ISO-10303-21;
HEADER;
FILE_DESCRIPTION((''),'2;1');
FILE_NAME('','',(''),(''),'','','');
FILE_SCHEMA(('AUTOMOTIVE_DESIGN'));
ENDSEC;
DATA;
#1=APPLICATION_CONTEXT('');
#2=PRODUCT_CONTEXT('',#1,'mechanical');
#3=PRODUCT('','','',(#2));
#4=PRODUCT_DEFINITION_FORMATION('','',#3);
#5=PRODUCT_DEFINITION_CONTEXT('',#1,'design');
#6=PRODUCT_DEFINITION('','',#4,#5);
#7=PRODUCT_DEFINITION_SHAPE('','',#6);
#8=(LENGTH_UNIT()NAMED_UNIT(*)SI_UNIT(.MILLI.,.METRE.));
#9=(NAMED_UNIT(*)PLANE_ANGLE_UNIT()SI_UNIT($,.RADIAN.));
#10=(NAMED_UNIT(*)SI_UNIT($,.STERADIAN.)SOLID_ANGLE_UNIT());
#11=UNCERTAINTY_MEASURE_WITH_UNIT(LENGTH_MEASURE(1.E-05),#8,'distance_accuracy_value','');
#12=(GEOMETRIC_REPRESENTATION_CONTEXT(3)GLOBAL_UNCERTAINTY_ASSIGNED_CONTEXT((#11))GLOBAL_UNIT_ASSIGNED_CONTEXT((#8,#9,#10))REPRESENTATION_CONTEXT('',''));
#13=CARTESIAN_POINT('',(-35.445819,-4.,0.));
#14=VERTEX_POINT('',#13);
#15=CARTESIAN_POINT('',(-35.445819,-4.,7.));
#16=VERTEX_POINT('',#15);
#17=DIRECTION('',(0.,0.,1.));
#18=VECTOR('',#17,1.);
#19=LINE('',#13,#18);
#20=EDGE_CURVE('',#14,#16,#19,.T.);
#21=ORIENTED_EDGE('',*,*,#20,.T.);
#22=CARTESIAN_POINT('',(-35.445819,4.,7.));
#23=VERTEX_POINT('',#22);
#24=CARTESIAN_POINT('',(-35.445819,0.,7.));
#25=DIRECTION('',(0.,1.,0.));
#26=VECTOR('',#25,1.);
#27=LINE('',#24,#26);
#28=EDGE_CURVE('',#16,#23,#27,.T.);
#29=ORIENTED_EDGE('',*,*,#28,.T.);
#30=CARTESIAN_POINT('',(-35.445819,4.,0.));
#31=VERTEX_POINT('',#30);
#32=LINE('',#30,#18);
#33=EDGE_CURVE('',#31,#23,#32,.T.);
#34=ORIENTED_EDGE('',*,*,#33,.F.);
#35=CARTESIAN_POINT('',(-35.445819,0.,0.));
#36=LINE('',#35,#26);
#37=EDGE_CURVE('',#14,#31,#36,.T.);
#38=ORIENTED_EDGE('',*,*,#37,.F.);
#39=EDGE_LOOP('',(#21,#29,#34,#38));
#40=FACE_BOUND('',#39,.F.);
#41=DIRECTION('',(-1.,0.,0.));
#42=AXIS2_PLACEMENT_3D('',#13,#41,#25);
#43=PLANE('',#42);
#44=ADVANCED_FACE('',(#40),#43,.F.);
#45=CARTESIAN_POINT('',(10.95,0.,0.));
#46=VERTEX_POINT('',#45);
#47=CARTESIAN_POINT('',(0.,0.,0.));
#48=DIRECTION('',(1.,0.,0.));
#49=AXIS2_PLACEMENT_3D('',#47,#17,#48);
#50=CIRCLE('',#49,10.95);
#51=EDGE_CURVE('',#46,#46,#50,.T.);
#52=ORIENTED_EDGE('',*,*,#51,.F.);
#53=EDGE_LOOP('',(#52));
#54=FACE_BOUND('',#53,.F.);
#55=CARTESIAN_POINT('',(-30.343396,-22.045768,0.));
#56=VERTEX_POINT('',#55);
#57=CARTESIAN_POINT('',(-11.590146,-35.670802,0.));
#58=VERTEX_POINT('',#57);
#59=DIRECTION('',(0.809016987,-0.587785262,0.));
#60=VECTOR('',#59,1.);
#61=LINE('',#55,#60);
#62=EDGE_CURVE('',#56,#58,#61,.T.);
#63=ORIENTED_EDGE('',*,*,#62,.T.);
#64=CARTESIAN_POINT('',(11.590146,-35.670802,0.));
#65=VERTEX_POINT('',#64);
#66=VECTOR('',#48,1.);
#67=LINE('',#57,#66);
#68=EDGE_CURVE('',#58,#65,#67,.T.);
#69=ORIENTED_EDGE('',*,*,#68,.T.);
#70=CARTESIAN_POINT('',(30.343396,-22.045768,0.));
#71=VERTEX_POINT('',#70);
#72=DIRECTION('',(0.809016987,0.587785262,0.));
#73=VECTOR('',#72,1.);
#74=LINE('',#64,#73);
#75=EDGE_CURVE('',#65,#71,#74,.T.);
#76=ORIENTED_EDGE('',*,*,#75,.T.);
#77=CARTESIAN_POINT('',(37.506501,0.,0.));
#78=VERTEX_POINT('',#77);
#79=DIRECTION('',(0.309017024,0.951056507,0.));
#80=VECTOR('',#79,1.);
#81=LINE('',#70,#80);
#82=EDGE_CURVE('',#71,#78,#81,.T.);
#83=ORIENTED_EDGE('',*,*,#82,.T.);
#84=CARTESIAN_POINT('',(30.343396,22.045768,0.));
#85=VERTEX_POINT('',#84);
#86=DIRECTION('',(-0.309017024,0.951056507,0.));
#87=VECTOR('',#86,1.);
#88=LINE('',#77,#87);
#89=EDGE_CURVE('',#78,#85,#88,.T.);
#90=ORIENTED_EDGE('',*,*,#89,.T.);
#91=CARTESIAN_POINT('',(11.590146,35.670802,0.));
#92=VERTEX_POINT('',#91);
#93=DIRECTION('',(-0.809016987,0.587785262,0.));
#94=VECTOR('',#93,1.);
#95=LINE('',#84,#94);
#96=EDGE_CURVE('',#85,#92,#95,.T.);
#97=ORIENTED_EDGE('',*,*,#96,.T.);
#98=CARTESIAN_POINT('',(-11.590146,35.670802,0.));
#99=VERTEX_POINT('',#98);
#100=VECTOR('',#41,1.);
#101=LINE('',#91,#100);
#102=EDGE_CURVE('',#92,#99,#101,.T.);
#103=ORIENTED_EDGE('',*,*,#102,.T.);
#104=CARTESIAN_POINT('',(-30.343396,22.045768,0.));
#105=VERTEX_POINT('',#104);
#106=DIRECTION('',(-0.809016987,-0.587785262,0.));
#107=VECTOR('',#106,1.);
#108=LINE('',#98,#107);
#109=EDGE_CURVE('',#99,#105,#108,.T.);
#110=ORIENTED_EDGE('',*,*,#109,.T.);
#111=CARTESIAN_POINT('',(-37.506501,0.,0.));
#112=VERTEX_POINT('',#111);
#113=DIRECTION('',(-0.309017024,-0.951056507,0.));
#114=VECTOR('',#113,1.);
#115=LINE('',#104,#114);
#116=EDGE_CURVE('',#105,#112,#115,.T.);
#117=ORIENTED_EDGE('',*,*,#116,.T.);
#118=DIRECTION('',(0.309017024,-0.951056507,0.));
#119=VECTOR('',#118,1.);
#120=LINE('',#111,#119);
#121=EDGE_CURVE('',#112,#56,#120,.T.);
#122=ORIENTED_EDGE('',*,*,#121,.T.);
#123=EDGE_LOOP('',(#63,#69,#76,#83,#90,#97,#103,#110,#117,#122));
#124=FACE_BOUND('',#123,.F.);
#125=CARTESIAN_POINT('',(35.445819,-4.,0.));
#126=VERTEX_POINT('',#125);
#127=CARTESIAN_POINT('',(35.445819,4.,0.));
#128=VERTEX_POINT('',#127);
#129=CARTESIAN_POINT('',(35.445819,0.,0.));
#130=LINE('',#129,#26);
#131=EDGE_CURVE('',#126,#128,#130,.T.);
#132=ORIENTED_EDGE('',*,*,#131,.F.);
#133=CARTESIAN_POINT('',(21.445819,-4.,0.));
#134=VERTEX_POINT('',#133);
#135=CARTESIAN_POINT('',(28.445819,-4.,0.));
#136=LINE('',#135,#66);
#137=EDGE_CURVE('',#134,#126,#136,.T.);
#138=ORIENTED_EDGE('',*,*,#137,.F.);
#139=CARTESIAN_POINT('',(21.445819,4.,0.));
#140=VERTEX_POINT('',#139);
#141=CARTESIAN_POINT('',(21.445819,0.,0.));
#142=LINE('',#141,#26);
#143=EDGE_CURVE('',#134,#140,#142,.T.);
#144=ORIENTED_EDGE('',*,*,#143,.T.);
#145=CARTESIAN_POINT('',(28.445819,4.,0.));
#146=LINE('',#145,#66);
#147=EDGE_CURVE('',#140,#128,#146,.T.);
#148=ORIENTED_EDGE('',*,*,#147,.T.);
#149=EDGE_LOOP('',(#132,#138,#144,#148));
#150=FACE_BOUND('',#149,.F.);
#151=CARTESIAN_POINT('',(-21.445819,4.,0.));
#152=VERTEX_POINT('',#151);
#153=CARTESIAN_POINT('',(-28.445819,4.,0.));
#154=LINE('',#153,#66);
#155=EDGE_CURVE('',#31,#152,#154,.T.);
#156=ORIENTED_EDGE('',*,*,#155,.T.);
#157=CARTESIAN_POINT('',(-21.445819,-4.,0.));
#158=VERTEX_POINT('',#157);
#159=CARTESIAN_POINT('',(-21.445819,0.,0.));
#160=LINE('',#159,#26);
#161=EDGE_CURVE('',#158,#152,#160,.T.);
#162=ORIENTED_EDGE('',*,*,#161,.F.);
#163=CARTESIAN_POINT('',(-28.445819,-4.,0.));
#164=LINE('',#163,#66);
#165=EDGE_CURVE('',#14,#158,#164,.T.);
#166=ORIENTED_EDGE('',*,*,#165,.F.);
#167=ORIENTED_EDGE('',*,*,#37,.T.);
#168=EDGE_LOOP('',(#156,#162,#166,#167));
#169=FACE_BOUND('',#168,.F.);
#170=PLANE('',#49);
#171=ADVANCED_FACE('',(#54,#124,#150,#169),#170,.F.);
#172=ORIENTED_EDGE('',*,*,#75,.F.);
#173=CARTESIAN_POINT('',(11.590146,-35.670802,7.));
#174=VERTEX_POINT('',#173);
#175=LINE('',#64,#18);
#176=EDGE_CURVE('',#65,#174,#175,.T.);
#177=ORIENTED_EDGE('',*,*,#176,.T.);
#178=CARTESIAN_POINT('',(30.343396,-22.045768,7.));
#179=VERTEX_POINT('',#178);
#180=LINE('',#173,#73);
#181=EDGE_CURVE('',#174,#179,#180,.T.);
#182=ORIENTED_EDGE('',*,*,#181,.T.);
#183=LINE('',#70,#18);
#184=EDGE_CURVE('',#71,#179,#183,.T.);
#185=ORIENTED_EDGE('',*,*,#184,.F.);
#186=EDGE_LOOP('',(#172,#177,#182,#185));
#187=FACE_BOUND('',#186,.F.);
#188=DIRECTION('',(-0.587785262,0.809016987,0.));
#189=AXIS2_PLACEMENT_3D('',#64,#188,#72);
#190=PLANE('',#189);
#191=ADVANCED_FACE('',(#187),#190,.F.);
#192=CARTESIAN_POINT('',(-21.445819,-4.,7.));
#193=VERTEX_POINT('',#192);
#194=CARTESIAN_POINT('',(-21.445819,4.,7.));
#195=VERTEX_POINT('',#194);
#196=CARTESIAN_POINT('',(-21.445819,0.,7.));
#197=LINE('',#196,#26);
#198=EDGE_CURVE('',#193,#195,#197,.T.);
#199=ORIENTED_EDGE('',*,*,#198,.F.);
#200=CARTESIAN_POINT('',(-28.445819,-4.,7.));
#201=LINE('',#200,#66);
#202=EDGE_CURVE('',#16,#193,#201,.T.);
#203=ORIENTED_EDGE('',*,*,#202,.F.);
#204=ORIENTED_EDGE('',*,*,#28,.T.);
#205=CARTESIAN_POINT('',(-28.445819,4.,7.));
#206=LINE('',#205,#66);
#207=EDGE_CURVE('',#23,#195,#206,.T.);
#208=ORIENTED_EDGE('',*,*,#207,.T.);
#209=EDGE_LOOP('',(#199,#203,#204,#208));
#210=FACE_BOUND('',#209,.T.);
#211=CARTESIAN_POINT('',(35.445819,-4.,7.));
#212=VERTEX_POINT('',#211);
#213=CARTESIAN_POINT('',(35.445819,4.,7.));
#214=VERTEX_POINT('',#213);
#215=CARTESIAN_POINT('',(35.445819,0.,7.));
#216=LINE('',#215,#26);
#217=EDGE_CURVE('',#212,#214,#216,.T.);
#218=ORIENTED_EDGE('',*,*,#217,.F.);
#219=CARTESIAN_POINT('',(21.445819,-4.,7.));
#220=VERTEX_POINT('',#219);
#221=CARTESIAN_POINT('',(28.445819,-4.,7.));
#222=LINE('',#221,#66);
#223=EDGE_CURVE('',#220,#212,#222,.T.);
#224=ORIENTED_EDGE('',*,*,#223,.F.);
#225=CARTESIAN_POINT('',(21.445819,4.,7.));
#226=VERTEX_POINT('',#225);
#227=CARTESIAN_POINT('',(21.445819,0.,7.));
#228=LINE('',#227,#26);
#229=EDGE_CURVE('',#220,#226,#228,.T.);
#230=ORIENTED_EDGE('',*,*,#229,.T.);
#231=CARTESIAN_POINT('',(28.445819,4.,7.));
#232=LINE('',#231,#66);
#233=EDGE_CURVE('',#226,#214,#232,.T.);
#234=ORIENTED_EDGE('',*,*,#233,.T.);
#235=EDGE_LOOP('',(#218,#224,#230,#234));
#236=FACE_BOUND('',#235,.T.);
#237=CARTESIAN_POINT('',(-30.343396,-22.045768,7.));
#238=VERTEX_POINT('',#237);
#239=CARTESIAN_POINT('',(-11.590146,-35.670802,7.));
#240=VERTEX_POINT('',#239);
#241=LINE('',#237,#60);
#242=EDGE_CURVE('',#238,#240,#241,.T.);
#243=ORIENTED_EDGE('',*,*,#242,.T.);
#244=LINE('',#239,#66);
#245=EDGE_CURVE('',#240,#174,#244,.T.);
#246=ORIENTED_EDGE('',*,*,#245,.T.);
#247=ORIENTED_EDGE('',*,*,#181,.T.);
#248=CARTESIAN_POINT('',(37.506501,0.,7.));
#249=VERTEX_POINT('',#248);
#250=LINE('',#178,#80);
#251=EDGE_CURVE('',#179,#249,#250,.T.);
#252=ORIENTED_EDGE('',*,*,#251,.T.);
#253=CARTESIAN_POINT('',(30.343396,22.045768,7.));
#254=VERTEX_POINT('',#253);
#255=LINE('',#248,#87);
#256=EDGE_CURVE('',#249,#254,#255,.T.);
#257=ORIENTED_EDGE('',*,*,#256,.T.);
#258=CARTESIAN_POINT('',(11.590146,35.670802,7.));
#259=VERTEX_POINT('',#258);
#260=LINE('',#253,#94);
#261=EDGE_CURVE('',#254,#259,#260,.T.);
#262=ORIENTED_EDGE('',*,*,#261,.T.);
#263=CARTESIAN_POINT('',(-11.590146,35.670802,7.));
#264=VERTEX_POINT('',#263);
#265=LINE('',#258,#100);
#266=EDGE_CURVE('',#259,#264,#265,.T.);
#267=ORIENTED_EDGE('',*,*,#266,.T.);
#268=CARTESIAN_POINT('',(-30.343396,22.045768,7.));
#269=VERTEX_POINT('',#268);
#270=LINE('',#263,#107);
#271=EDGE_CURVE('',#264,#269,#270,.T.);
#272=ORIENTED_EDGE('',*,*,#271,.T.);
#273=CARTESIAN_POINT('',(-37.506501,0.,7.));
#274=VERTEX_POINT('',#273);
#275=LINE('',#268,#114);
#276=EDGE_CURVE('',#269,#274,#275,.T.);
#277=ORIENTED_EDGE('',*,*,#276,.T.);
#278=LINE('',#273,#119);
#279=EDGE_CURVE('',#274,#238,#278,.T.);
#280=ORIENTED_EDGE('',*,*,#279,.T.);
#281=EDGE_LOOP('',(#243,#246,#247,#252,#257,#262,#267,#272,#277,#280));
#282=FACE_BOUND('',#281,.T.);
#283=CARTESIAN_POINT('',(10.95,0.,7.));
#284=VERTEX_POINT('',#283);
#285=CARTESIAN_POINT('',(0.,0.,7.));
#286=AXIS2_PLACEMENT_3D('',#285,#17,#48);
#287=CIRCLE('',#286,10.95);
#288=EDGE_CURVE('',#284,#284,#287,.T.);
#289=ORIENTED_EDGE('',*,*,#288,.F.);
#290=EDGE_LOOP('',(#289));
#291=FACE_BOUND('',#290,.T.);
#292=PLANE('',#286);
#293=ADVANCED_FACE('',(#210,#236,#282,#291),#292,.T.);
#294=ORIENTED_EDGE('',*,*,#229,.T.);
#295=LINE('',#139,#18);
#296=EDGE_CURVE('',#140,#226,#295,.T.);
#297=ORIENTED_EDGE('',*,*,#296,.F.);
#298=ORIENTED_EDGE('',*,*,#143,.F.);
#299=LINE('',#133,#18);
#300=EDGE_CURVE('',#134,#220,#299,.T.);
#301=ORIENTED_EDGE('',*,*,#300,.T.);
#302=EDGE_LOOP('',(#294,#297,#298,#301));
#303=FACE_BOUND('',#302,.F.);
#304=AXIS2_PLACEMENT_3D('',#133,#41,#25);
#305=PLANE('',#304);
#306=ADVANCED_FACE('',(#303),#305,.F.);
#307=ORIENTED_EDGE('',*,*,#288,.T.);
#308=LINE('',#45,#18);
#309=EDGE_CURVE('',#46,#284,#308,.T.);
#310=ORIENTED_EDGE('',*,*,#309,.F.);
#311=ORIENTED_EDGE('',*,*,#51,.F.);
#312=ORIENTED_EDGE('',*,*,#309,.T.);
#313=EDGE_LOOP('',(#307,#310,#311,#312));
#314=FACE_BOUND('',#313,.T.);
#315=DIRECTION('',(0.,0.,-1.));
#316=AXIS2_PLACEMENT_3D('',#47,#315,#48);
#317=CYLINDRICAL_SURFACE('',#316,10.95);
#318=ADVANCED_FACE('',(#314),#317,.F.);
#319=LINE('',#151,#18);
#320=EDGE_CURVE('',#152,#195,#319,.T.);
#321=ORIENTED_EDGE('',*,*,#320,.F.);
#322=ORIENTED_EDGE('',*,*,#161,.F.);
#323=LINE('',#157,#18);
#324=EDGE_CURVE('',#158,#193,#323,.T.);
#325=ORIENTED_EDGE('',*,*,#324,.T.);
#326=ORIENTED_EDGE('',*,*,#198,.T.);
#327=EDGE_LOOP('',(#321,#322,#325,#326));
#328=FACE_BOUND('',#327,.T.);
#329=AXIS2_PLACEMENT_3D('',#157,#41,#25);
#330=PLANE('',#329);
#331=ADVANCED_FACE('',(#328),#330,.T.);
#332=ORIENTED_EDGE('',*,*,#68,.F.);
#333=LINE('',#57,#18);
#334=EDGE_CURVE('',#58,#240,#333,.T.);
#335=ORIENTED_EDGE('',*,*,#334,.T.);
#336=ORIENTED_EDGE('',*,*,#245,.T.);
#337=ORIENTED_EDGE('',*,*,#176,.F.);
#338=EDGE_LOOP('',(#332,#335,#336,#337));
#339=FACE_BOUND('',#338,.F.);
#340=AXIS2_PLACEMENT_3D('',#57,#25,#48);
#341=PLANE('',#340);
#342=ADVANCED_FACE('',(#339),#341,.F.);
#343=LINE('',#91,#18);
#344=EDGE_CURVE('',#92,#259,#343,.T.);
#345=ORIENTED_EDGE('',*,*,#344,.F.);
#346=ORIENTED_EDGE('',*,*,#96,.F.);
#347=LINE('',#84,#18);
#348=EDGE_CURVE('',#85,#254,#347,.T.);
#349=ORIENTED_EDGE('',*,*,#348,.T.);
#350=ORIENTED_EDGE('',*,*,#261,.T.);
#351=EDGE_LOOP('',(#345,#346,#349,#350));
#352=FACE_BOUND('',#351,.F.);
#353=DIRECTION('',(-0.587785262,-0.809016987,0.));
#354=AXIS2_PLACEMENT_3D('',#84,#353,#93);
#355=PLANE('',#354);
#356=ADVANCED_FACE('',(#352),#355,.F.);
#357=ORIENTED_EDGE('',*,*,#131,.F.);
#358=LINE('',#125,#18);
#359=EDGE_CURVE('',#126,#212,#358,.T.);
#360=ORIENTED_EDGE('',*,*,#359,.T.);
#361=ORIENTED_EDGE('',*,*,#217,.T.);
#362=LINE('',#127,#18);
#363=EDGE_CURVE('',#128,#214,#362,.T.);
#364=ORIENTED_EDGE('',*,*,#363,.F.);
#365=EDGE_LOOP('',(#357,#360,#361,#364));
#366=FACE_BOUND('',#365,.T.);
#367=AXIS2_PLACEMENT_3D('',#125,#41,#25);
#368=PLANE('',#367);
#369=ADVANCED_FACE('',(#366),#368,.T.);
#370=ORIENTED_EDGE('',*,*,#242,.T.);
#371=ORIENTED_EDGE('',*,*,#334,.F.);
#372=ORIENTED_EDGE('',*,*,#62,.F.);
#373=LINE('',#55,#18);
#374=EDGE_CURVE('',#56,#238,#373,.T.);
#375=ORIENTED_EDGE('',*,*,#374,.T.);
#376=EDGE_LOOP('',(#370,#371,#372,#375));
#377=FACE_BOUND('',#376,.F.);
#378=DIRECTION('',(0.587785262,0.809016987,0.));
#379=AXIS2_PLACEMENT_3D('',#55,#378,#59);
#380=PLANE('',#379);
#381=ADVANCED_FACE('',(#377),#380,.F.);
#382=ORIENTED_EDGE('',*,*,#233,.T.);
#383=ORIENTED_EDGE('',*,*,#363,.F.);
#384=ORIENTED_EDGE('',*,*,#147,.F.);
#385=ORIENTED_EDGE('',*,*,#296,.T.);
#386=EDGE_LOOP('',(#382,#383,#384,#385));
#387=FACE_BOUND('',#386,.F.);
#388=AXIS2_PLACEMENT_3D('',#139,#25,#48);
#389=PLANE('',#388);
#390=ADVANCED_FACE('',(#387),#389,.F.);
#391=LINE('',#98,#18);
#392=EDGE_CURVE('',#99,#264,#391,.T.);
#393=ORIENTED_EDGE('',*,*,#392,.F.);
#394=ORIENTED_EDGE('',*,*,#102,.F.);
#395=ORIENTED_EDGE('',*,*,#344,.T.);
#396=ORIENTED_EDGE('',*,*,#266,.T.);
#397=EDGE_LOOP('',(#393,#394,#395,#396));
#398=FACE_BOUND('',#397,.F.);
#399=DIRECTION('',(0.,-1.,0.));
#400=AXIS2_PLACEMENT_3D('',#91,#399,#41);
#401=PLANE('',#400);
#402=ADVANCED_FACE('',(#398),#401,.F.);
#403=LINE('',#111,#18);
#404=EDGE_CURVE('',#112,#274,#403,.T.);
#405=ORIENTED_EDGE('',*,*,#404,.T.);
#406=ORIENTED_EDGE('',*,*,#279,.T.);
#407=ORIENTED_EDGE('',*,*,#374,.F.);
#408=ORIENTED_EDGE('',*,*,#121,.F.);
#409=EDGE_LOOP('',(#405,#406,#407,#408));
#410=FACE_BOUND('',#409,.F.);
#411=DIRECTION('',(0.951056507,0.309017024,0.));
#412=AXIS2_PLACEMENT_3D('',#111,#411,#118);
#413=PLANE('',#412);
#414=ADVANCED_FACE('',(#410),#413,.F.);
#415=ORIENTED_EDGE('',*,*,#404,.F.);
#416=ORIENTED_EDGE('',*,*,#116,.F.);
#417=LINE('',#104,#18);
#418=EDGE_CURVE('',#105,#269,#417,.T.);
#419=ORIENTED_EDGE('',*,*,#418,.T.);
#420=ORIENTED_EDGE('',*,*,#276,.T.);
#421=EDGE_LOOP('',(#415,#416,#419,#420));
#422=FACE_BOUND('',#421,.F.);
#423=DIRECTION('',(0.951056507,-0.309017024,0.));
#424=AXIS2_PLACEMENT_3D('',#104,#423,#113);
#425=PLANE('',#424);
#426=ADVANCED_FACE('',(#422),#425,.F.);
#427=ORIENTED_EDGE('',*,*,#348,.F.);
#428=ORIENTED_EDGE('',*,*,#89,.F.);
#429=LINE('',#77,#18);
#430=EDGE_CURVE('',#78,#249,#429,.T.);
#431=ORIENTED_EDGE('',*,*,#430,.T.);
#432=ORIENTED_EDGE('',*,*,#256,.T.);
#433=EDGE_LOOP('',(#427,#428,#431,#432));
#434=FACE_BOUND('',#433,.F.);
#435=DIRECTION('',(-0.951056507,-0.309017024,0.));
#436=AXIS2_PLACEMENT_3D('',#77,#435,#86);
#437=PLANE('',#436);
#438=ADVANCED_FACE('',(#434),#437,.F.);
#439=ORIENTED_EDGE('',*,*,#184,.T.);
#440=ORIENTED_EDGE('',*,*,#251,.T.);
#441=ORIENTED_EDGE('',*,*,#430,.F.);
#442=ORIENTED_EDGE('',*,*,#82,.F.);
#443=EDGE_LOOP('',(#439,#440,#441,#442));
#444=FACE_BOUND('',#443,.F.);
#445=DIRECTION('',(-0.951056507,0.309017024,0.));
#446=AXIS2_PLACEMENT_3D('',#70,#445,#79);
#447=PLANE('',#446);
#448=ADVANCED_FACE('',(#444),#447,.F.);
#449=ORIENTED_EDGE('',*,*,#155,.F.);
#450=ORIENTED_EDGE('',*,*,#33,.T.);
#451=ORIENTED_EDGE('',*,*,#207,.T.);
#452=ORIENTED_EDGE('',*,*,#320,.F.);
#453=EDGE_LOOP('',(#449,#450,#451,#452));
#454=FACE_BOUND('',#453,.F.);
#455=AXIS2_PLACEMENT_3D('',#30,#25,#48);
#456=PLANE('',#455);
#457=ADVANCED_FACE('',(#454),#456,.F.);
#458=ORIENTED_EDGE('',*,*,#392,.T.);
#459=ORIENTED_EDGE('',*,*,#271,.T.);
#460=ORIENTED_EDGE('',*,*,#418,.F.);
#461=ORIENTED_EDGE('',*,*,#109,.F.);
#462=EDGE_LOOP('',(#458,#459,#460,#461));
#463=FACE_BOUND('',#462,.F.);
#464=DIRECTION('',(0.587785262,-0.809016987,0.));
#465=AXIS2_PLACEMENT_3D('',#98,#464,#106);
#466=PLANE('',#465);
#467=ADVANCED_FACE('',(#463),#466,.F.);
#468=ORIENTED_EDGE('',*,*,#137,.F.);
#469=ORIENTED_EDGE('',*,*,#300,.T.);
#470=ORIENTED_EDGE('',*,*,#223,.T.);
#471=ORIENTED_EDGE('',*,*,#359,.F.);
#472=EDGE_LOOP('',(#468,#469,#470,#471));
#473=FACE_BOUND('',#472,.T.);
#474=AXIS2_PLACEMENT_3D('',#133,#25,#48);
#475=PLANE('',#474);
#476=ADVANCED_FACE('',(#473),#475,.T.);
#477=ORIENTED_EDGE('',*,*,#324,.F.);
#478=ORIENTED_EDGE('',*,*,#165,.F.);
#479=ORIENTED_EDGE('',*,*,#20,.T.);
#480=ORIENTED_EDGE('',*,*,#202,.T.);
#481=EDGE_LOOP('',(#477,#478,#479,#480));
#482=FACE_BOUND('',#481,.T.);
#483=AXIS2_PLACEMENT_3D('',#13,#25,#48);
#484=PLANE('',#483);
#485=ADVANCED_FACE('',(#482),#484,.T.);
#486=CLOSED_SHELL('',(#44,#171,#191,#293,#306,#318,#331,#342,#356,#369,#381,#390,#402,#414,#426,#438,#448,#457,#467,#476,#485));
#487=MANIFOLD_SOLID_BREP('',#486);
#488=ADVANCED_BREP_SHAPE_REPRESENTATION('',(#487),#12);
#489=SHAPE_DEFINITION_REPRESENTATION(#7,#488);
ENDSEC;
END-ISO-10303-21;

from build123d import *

# Parameters (mm, degrees)
F0_W     = 14
F0_H     = 8
F0_R     = 10.95
F1_DEPTH = 7


with BuildPart() as f1:
    # F0 (on Top) → F1 (new body)
    with BuildSketch(Plane.XY):
        Polygon((11.590146, 35.670802), (-11.590146, 35.670802), (-30.343396, 22.045768), (-37.506501, 0), (-30.343396, -22.045768), (-11.590146, -35.670802), (11.590146, -35.670802), (30.343396, -22.045768), (37.506501, 0), (30.343396, 22.045768), align=None)
        with Locations((-28.445819, 0)):
            Rectangle(F0_W, F0_H, mode=Mode.SUBTRACT)
        Circle(F0_R, mode=Mode.SUBTRACT)
        with Locations((28.445819, 0)):
            Rectangle(F0_W, F0_H, mode=Mode.SUBTRACT)
    extrude(amount=F1_DEPTH)


solid = f1.part
